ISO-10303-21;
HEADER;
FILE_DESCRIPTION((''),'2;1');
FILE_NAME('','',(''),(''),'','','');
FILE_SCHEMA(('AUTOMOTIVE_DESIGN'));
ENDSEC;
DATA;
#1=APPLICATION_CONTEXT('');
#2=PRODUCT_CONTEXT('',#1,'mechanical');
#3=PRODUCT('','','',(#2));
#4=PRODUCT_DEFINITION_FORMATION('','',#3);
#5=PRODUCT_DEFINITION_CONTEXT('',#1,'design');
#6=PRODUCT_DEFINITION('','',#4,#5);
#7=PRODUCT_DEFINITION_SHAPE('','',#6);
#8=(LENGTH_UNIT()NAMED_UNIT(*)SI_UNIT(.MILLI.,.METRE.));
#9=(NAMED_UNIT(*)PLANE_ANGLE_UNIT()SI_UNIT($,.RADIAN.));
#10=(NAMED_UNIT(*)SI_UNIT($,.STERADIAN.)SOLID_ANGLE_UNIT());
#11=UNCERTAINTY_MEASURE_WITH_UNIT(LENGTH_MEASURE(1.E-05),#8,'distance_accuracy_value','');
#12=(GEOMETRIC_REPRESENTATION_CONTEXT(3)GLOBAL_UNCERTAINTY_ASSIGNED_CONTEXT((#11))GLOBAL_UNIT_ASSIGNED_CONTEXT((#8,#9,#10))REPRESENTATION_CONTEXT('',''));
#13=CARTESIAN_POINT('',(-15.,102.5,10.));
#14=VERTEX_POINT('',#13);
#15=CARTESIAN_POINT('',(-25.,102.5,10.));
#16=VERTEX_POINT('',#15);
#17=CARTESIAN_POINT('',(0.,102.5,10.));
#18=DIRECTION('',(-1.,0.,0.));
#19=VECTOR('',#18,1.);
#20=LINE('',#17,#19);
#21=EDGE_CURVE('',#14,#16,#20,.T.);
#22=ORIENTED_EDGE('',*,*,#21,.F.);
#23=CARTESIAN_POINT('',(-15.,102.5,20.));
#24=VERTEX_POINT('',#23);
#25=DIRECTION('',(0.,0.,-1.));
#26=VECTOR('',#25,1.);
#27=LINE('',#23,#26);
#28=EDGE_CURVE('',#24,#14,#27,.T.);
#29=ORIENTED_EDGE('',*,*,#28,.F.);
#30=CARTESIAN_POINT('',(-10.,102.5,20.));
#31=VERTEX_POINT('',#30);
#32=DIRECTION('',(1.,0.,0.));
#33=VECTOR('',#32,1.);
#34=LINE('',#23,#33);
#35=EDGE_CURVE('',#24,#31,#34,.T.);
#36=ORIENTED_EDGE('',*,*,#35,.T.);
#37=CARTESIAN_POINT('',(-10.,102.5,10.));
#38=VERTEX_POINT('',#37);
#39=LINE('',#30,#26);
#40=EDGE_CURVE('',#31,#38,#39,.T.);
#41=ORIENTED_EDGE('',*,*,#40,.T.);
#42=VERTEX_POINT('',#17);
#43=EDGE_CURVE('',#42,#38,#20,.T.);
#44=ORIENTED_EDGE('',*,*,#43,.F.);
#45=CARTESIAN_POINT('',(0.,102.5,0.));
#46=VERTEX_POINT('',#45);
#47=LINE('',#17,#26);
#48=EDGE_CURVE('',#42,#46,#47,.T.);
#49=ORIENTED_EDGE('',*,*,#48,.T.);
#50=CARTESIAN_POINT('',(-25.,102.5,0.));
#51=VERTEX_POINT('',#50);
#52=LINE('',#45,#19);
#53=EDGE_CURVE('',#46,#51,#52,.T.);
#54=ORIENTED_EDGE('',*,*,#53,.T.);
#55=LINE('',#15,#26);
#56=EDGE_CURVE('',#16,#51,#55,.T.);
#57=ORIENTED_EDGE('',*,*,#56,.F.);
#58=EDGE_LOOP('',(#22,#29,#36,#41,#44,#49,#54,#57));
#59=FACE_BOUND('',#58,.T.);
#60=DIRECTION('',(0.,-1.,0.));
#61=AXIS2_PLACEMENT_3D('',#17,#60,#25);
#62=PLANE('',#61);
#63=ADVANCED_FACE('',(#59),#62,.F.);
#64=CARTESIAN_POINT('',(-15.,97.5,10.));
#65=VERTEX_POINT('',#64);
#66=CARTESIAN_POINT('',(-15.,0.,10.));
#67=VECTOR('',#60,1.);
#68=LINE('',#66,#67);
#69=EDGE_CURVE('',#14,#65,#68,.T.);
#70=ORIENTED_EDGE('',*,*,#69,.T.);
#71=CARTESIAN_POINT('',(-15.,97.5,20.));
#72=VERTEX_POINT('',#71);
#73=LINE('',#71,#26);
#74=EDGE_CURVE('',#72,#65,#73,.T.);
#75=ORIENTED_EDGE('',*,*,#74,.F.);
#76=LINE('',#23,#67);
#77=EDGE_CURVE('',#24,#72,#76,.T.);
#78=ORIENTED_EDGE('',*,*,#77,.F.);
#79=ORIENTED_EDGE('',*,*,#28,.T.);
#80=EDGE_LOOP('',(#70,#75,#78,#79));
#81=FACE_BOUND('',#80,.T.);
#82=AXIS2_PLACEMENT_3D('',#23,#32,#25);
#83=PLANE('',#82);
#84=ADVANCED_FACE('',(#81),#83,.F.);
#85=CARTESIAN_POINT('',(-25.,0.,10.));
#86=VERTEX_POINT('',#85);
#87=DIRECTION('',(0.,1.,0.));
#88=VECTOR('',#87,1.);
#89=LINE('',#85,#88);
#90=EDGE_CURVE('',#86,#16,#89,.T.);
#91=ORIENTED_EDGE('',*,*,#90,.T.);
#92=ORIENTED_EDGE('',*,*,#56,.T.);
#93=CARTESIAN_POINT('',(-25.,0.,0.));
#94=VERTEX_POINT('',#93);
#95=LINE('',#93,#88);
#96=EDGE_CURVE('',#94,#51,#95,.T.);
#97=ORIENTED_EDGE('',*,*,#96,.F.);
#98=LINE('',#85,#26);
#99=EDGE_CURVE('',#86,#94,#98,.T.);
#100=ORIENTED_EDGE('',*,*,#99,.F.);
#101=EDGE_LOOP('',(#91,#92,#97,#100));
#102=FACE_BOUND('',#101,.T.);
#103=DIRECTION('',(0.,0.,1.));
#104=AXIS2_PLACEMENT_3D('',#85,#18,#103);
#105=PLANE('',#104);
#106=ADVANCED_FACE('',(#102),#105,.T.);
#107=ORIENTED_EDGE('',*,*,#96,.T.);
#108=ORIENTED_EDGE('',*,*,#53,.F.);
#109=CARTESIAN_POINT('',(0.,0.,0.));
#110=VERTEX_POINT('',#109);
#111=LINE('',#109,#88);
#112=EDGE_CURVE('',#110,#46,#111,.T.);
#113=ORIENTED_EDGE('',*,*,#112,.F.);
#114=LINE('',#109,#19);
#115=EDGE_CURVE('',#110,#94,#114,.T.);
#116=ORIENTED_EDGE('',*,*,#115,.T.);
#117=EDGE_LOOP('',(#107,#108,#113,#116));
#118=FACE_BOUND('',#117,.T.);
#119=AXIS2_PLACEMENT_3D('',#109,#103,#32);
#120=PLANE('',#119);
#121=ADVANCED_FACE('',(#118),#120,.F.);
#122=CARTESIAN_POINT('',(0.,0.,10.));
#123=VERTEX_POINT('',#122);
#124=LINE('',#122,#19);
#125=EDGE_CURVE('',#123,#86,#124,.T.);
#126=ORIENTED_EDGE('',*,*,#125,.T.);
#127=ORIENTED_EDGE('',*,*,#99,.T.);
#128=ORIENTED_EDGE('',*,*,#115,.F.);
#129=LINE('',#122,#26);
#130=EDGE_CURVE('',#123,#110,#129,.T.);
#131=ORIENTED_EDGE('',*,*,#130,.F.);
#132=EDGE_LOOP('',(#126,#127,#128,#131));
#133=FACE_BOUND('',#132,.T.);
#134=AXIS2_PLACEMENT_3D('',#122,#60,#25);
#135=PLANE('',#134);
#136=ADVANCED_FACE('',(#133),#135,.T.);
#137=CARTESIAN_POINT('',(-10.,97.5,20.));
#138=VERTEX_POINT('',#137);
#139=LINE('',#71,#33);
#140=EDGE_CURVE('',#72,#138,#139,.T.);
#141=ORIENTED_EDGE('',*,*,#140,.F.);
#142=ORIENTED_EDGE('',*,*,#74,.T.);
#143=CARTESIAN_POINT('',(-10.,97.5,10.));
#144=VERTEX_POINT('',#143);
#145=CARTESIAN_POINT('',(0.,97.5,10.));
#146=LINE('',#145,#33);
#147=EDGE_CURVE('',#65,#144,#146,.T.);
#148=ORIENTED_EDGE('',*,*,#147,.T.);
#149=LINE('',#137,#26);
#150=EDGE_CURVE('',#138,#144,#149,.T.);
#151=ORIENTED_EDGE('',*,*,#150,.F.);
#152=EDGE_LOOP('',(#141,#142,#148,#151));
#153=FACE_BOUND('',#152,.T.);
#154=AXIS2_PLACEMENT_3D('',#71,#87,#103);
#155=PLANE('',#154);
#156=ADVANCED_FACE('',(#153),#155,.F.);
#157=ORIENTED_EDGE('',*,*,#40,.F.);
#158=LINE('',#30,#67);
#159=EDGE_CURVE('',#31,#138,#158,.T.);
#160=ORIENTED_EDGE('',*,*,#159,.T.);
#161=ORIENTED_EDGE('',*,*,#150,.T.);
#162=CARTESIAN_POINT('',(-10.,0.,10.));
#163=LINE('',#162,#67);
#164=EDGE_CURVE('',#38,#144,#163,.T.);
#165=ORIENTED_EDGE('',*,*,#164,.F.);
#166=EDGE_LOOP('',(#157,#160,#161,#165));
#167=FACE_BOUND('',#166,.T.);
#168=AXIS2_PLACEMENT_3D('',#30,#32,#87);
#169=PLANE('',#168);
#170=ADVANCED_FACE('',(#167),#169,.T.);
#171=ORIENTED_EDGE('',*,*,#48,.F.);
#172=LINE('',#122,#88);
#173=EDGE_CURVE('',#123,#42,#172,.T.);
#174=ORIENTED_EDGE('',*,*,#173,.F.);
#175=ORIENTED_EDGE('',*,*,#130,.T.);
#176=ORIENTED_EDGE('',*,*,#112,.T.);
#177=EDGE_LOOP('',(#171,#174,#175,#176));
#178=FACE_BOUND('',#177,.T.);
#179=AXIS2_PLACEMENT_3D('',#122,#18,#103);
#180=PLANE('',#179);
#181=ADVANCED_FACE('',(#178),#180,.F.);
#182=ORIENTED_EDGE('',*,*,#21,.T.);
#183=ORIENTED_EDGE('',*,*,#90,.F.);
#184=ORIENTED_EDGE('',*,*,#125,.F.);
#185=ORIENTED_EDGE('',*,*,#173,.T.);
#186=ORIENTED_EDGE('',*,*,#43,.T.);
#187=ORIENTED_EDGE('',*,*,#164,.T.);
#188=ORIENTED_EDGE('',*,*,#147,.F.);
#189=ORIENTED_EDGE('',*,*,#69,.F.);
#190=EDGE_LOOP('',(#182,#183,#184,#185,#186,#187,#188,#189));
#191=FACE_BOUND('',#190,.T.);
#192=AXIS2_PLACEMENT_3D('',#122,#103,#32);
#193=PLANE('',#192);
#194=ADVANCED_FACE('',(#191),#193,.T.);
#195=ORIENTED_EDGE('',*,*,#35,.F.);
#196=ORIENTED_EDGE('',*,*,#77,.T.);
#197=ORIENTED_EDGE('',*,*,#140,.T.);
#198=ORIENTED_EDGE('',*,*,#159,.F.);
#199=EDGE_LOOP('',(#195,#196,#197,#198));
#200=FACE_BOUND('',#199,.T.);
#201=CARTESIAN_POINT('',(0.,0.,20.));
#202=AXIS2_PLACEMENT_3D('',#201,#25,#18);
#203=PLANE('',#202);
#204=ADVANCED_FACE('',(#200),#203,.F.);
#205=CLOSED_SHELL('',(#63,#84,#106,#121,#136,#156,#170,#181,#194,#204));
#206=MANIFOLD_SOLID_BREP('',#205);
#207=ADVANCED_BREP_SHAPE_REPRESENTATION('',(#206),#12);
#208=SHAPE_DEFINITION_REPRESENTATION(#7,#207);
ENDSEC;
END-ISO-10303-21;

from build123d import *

# Parameters (mm, degrees)
BOSS_EXTRUDE1_DEPTH = 10
SKETCH1_3_W         = 5
SKETCH1_3_H         = 5
BOSS_EXTRUDE2_DEPTH = 20


with BuildPart() as part:
    # Sketch1 → Boss-Extrude1 (new body)
    with BuildSketch(Plane.XY):
        Polygon((-25, 0), (0, 0), (0, 102.5), (-10, 102.5), (-10, 97.5), (-15, 97.5), (-15, 102.5), (-25, 102.5), align=None)
    extrude(amount=BOSS_EXTRUDE1_DEPTH)

    # Sketch1<3> → Boss-Extrude2 (add)
    with BuildSketch(Plane.XY):
        with Locations((-12.5, 100)):
            Rectangle(SKETCH1_3_W, SKETCH1_3_H)
    extrude(amount=BOSS_EXTRUDE2_DEPTH)


solid = part.part
